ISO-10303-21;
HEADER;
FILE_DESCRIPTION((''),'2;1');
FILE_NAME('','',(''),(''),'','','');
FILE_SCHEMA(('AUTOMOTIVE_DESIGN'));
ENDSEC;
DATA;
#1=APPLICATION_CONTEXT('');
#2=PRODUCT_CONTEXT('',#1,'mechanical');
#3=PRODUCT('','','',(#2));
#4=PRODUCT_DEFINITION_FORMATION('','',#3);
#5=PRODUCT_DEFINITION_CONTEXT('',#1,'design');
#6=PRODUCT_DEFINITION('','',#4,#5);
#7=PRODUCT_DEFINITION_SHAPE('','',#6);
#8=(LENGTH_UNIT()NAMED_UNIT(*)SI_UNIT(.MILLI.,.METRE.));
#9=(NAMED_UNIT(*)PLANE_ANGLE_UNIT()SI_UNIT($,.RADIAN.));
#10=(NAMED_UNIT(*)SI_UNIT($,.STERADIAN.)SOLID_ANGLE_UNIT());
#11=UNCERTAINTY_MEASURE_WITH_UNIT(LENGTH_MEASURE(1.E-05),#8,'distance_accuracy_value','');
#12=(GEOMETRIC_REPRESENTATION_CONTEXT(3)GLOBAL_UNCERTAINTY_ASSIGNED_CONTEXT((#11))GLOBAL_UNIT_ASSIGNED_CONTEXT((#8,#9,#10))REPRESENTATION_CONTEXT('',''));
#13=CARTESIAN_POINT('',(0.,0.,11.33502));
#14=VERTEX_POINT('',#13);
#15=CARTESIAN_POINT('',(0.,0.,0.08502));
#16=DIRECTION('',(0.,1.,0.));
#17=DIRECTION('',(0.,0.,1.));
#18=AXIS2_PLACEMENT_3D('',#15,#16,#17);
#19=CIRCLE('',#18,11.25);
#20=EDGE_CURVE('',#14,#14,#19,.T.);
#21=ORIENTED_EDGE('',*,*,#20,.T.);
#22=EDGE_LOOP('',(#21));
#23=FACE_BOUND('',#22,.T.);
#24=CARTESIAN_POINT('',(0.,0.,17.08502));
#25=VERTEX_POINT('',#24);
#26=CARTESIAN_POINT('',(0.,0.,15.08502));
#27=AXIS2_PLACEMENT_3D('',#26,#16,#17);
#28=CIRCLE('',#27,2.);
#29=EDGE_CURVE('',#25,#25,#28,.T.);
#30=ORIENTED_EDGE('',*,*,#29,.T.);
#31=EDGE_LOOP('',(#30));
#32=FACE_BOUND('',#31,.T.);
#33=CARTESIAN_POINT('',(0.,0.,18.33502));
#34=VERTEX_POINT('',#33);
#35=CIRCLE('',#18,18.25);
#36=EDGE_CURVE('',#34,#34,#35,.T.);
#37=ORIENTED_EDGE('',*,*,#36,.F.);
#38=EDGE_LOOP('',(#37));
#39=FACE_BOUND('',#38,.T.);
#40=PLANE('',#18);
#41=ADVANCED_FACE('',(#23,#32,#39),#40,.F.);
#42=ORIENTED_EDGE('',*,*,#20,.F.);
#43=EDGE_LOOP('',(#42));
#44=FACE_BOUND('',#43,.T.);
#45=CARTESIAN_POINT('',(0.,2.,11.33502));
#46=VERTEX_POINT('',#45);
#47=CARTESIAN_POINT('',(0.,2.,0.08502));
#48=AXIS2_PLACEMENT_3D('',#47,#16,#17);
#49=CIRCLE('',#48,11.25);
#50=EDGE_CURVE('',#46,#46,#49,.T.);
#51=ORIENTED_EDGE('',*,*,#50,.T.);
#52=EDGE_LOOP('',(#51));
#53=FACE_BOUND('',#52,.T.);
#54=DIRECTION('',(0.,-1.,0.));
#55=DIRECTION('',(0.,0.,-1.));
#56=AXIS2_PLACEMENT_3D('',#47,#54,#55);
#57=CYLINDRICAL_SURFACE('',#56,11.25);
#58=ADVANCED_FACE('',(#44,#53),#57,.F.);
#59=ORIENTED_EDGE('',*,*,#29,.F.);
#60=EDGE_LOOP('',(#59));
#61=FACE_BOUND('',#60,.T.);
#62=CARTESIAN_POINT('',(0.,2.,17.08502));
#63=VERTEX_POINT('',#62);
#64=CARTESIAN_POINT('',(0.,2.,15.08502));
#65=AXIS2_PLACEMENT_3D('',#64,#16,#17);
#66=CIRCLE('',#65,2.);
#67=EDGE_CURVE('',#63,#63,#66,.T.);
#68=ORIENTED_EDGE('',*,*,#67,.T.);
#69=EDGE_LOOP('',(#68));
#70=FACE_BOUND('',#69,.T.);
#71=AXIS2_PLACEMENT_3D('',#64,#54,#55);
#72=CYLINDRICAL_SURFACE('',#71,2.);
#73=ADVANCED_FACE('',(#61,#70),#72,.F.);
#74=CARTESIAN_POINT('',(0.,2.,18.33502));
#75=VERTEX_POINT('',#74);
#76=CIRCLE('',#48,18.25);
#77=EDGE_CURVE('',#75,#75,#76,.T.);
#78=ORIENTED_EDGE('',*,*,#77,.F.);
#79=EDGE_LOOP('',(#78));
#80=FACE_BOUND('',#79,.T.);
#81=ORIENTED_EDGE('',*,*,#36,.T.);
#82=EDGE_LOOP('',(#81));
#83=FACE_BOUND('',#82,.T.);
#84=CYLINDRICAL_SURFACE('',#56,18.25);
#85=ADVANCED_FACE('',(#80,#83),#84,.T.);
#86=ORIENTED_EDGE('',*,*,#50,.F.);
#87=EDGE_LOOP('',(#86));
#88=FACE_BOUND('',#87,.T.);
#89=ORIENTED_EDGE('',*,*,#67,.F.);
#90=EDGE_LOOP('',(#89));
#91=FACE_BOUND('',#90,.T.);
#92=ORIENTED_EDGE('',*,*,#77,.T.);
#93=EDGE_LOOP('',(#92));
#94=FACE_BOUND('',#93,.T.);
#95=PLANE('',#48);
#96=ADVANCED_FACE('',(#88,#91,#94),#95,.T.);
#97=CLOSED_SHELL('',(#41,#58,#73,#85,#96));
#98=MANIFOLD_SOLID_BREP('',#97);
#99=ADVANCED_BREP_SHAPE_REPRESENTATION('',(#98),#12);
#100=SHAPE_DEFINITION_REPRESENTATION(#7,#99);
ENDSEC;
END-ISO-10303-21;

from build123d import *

# Parameters (mm, degrees)
SKETCH1_R           = 18.25
SKETCH1_R_2         = 11.25
SKETCH1_R_3         = 2
BOSS_EXTRUDE1_DEPTH = 2


with BuildPart() as part:
    # Sketch1 → Boss-Extrude1 (new body)
    with BuildSketch(Plane(origin=(0, 0, 0), x_dir=(1, 0, 0), z_dir=(0, 1, 0))):
        with Locations(Location((0, -0.085020243, 0), (0, 0, 270))):
            Circle(SKETCH1_R)
        with Locations(Location((0, -0.085020243, 0), (0, 0, 270))):
            Circle(SKETCH1_R_2, mode=Mode.SUBTRACT)
        with Locations(Location((0, -15.085020243, 0), (0, 0, 270))):
            Circle(SKETCH1_R_3, mode=Mode.SUBTRACT)
    extrude(amount=BOSS_EXTRUDE1_DEPTH)


solid = part.part
